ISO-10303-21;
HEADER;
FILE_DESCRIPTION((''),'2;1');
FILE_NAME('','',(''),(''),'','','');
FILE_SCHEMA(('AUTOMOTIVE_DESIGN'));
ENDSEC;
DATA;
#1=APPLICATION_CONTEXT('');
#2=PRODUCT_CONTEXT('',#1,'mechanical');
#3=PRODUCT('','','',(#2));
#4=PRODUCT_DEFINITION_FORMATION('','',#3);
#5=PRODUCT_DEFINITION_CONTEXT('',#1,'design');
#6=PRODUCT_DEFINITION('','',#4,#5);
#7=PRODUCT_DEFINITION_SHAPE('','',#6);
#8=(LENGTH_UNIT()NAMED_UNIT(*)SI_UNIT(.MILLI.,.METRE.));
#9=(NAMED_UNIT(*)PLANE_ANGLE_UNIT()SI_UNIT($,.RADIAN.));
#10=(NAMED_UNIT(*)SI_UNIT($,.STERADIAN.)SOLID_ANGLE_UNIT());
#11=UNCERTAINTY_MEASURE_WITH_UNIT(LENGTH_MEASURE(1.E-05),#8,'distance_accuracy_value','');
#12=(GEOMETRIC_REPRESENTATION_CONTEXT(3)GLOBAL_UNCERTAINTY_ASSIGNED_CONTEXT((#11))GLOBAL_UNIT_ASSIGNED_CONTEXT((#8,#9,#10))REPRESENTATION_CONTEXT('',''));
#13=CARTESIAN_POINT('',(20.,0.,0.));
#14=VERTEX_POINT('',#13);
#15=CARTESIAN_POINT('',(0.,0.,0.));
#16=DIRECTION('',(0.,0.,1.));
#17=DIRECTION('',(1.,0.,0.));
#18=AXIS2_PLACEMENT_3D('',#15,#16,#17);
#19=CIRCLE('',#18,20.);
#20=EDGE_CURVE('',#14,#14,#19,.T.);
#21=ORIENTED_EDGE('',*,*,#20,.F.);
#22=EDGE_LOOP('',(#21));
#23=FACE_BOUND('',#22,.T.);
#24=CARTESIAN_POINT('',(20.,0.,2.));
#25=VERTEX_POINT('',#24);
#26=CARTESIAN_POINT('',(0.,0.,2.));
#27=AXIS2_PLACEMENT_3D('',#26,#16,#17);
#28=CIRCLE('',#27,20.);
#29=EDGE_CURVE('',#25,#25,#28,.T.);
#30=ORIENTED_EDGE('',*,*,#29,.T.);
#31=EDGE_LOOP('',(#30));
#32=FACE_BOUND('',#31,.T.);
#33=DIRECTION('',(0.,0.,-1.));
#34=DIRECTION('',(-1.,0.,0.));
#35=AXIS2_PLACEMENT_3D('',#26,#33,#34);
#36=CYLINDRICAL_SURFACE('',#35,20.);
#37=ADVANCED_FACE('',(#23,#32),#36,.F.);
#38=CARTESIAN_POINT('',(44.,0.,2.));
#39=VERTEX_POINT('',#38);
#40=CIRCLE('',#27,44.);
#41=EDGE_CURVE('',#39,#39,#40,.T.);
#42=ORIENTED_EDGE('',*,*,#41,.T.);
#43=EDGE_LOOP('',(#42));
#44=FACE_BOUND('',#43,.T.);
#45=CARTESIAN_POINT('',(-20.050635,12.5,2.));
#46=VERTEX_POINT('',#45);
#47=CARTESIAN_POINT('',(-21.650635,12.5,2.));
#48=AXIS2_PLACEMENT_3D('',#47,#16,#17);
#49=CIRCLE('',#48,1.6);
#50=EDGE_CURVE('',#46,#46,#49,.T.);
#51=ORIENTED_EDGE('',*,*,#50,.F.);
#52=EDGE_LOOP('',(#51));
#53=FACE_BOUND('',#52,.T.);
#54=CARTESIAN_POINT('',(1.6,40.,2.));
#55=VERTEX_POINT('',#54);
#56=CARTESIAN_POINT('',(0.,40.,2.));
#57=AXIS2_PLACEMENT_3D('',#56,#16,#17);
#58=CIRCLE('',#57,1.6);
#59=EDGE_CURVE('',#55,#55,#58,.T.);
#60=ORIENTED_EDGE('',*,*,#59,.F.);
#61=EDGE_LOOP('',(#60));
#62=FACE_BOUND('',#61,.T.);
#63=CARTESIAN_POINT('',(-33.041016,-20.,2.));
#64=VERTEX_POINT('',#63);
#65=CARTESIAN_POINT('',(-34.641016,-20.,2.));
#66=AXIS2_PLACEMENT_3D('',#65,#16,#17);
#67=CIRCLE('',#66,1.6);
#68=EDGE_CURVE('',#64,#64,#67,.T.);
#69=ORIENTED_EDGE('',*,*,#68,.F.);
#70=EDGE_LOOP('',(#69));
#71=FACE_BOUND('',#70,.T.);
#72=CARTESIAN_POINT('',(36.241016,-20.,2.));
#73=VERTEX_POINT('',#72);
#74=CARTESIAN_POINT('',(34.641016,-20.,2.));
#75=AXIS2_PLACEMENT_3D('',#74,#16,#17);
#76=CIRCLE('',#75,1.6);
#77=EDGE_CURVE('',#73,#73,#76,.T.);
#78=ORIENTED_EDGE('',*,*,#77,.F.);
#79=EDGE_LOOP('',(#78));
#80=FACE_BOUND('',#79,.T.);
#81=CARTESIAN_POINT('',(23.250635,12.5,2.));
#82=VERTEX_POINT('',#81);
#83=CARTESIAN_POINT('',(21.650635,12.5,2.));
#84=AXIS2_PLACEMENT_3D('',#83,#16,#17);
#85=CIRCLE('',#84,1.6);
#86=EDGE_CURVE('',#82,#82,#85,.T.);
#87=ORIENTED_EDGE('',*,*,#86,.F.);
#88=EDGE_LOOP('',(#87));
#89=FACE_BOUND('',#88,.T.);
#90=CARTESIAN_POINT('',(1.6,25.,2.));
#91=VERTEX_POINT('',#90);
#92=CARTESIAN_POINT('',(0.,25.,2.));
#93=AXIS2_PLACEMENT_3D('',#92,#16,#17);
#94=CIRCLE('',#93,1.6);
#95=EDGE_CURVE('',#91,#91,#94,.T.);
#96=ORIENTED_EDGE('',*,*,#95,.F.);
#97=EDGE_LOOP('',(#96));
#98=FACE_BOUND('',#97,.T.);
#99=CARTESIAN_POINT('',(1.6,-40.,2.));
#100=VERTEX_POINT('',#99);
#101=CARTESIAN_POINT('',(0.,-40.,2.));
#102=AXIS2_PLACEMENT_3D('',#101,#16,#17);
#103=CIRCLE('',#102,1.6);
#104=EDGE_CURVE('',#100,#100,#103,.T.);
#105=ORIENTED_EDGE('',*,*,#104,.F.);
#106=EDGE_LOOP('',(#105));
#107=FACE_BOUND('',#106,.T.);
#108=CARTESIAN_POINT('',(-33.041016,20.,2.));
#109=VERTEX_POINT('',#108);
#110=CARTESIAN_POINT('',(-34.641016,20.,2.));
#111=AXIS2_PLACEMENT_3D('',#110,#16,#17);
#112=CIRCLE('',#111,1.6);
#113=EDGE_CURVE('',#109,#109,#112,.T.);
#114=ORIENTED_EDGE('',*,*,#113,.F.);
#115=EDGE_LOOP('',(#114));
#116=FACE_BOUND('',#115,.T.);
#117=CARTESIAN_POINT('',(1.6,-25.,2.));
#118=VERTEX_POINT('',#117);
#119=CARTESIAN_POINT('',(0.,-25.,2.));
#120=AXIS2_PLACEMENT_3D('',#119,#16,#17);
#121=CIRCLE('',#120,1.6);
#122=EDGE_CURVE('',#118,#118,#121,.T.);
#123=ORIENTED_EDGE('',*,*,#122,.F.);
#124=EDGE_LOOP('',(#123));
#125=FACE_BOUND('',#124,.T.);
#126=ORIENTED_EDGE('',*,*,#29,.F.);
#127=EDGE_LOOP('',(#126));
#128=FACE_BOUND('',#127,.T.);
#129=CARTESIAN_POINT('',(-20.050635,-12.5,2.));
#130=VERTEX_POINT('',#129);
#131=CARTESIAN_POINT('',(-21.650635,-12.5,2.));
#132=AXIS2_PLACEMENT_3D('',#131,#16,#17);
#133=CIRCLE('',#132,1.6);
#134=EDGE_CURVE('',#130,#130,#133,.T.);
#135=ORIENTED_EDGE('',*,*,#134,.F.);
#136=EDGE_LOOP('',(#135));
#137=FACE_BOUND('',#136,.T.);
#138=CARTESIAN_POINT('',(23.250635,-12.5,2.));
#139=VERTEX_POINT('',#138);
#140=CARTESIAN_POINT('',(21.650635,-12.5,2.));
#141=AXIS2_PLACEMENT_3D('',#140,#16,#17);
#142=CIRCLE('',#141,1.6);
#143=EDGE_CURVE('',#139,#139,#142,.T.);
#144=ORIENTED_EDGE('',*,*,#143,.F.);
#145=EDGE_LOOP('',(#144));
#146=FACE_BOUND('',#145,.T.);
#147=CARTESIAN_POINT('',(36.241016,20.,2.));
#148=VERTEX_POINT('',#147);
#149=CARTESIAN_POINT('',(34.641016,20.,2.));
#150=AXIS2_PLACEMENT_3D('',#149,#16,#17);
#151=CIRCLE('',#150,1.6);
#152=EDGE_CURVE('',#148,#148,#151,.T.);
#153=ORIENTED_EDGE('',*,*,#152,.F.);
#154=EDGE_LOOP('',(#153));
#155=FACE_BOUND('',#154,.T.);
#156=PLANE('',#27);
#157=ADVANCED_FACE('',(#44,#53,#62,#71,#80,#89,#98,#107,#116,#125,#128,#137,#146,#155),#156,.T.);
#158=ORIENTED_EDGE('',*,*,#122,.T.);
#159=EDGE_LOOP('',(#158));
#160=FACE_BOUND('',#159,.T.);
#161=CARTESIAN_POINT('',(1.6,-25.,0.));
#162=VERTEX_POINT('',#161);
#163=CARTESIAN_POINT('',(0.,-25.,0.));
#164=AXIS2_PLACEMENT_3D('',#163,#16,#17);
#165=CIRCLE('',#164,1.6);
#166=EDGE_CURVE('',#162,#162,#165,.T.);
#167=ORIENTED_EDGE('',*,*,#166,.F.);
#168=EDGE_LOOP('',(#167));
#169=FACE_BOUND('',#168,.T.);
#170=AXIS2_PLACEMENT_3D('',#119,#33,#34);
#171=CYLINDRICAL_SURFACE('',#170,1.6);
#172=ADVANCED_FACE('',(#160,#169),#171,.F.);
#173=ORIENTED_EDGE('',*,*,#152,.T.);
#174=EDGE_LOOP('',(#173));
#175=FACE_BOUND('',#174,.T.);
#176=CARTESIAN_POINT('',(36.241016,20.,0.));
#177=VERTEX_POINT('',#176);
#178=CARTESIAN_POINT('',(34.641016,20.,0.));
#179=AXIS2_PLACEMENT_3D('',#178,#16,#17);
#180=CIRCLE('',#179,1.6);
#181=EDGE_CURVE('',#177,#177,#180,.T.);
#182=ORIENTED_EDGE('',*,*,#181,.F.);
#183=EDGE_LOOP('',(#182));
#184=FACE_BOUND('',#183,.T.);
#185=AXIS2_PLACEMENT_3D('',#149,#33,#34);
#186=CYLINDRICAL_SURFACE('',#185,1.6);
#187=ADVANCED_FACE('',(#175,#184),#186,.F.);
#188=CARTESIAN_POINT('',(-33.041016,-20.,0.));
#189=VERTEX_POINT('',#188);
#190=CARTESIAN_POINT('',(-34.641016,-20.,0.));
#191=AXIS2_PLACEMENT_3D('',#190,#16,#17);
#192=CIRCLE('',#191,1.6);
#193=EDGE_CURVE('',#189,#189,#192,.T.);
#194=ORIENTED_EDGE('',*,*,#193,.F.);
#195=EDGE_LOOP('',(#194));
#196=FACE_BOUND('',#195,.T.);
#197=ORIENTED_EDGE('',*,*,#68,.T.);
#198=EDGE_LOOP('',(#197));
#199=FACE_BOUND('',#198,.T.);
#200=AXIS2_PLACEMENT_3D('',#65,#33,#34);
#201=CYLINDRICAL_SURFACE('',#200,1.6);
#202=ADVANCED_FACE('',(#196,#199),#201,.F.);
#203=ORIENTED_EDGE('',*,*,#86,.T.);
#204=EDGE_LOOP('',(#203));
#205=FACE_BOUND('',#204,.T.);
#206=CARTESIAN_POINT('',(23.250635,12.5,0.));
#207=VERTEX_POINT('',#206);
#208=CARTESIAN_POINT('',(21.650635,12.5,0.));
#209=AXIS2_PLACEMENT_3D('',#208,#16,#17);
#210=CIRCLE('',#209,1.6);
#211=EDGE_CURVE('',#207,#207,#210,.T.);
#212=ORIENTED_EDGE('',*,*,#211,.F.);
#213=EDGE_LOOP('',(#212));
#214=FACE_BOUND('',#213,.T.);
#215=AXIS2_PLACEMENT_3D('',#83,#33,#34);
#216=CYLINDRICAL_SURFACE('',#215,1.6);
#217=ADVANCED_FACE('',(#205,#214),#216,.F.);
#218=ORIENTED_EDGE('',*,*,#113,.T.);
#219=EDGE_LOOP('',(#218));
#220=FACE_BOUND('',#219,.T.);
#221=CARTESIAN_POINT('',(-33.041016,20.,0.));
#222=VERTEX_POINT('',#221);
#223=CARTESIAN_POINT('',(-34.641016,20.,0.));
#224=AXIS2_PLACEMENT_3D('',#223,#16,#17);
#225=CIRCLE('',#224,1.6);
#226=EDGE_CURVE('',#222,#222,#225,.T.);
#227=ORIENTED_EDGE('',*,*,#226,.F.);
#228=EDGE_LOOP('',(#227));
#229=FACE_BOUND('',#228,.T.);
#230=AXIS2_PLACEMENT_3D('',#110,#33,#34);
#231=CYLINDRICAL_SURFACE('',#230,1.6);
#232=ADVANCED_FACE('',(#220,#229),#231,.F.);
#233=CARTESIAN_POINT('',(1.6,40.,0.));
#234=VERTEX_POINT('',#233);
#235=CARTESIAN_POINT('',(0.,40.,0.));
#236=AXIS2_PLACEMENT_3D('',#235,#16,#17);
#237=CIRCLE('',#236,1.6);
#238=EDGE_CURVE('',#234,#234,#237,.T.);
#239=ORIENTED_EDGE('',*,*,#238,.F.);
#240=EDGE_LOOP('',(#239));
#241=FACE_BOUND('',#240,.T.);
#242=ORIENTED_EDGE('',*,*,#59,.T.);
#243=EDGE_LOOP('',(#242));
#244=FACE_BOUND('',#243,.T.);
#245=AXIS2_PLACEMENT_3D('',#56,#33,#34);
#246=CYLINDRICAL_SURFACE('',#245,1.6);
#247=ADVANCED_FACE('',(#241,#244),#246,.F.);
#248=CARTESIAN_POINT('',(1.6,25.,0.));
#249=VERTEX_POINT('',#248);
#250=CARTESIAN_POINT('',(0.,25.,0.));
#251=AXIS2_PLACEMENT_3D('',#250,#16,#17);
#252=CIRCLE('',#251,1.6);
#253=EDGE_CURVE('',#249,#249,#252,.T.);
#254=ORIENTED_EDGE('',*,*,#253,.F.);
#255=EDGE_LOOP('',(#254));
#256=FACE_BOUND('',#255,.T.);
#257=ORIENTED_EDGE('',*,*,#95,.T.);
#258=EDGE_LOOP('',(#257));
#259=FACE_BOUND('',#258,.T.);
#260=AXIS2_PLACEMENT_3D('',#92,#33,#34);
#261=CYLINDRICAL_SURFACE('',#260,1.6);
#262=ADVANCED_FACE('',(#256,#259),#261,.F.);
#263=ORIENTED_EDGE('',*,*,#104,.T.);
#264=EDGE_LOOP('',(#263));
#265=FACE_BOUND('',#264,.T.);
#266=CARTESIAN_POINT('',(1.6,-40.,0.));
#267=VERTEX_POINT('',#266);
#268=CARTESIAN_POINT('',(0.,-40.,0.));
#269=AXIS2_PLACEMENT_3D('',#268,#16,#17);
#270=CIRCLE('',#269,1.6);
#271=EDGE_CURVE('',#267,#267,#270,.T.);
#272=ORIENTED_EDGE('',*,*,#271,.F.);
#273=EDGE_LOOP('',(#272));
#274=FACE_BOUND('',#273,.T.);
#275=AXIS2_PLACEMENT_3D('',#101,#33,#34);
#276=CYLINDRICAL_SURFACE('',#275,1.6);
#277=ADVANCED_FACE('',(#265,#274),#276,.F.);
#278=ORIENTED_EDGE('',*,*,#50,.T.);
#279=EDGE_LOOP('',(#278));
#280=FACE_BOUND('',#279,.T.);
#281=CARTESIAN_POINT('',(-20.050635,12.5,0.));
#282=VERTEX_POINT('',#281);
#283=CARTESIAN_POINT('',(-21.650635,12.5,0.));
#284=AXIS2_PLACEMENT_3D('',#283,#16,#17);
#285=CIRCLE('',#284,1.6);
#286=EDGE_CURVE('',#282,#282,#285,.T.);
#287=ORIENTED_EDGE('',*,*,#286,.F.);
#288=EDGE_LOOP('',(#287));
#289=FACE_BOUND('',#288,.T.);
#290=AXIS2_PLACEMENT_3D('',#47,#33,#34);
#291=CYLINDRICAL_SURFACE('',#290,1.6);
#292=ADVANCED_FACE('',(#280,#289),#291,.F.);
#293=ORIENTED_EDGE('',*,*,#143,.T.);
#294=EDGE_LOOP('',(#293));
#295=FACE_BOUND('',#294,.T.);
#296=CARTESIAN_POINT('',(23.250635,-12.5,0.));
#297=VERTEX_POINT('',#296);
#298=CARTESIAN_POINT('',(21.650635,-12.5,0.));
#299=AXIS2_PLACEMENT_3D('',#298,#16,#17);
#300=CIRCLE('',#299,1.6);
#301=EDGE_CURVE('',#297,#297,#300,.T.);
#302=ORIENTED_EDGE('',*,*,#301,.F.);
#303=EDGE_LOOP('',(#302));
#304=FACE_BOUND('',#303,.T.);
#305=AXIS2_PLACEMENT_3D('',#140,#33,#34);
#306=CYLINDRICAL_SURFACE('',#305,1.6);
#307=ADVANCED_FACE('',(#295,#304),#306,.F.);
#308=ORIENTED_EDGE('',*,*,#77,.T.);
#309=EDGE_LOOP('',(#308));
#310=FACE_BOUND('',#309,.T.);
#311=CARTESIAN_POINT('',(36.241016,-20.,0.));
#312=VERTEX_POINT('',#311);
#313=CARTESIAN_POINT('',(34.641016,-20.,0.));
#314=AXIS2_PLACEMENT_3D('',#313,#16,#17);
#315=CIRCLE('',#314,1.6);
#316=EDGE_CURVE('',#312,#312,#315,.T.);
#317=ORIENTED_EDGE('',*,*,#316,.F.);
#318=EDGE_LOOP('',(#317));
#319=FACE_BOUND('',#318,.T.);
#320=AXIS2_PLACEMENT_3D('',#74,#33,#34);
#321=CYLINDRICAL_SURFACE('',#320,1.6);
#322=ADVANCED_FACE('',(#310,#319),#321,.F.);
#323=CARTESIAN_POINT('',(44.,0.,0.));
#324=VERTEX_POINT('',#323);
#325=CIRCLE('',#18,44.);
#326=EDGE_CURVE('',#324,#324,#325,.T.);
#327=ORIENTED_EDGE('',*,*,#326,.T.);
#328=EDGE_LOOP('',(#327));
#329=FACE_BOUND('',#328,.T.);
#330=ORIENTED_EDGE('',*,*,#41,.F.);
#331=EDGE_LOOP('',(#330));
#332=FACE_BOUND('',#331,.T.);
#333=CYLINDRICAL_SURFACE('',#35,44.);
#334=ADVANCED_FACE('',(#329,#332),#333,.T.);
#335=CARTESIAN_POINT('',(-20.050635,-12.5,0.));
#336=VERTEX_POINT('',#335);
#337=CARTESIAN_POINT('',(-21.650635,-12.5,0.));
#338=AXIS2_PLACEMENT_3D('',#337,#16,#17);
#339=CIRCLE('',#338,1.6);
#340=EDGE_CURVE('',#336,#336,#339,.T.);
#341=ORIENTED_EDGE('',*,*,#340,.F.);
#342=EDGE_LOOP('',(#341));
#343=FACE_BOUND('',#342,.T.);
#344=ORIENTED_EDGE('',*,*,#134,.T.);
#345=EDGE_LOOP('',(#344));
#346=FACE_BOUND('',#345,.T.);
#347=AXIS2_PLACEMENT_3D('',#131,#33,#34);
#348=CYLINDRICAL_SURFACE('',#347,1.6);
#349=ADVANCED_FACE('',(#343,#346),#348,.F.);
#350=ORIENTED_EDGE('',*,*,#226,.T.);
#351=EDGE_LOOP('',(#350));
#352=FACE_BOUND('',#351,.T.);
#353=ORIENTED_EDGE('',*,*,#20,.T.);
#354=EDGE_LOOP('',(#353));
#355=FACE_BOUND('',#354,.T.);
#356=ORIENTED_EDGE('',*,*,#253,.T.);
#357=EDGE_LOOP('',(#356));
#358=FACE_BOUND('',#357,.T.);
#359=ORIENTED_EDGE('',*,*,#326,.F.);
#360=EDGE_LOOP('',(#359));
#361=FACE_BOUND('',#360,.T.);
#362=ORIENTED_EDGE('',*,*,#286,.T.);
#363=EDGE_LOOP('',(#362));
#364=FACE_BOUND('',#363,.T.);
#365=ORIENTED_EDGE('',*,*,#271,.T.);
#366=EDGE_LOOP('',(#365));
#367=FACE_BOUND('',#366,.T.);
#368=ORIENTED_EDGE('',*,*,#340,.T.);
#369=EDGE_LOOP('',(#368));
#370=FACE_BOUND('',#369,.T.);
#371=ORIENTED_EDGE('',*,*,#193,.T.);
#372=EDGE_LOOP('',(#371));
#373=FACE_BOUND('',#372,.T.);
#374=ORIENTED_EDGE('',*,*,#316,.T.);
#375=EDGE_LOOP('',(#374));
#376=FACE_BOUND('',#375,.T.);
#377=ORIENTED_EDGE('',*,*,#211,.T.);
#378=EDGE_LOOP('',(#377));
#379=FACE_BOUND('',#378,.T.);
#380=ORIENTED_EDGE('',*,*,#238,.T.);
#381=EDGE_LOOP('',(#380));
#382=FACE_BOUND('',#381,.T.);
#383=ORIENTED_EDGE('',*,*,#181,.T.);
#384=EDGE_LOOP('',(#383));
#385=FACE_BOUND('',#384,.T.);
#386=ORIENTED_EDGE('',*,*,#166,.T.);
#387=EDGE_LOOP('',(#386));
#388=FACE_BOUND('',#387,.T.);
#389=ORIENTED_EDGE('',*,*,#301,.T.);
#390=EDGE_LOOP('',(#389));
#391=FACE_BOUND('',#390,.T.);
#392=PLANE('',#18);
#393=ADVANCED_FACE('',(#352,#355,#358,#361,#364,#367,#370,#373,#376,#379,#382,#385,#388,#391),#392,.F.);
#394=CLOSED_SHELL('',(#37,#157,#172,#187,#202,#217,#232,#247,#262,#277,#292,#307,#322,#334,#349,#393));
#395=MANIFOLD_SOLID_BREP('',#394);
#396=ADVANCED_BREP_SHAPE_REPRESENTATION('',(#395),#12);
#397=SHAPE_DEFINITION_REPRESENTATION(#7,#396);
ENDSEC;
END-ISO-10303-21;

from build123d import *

# Parameters (mm, degrees)
SKETCH_1_R      = 44
SKETCH_1_R_2    = 1.6
SKETCH_1_R_3    = 20
EXTRUDE_1_DEPTH = 2


with BuildPart() as part:
    # 草图1 → 凸台-拉伸1 (new body)
    with BuildSketch(Plane.XY):
        Circle(SKETCH_1_R)
        with Locations((0, 40)):
            Circle(SKETCH_1_R_2, mode=Mode.SUBTRACT)
        with Locations((34.641016151, 20)):
            Circle(SKETCH_1_R_2, mode=Mode.SUBTRACT)
        with Locations((34.641016151, -20)):
            Circle(SKETCH_1_R_2, mode=Mode.SUBTRACT)
        with Locations((0, -40)):
            Circle(SKETCH_1_R_2, mode=Mode.SUBTRACT)
        with Locations((-34.641016151, -20)):
            Circle(SKETCH_1_R_2, mode=Mode.SUBTRACT)
        with Locations((-34.641016151, 20)):
            Circle(SKETCH_1_R_2, mode=Mode.SUBTRACT)
        with Locations((0, 25)):
            Circle(SKETCH_1_R_2, mode=Mode.SUBTRACT)
        with Locations((21.650635095, 12.5)):
            Circle(SKETCH_1_R_2, mode=Mode.SUBTRACT)
        with Locations((21.650635095, -12.5)):
            Circle(SKETCH_1_R_2, mode=Mode.SUBTRACT)
        with Locations((0, -25)):
            Circle(SKETCH_1_R_2, mode=Mode.SUBTRACT)
        with Locations((-21.650635095, -12.5)):
            Circle(SKETCH_1_R_2, mode=Mode.SUBTRACT)
        with Locations((-21.650635095, 12.5)):
            Circle(SKETCH_1_R_2, mode=Mode.SUBTRACT)
        Circle(SKETCH_1_R_3, mode=Mode.SUBTRACT)
    extrude(amount=EXTRUDE_1_DEPTH)


solid = part.part
